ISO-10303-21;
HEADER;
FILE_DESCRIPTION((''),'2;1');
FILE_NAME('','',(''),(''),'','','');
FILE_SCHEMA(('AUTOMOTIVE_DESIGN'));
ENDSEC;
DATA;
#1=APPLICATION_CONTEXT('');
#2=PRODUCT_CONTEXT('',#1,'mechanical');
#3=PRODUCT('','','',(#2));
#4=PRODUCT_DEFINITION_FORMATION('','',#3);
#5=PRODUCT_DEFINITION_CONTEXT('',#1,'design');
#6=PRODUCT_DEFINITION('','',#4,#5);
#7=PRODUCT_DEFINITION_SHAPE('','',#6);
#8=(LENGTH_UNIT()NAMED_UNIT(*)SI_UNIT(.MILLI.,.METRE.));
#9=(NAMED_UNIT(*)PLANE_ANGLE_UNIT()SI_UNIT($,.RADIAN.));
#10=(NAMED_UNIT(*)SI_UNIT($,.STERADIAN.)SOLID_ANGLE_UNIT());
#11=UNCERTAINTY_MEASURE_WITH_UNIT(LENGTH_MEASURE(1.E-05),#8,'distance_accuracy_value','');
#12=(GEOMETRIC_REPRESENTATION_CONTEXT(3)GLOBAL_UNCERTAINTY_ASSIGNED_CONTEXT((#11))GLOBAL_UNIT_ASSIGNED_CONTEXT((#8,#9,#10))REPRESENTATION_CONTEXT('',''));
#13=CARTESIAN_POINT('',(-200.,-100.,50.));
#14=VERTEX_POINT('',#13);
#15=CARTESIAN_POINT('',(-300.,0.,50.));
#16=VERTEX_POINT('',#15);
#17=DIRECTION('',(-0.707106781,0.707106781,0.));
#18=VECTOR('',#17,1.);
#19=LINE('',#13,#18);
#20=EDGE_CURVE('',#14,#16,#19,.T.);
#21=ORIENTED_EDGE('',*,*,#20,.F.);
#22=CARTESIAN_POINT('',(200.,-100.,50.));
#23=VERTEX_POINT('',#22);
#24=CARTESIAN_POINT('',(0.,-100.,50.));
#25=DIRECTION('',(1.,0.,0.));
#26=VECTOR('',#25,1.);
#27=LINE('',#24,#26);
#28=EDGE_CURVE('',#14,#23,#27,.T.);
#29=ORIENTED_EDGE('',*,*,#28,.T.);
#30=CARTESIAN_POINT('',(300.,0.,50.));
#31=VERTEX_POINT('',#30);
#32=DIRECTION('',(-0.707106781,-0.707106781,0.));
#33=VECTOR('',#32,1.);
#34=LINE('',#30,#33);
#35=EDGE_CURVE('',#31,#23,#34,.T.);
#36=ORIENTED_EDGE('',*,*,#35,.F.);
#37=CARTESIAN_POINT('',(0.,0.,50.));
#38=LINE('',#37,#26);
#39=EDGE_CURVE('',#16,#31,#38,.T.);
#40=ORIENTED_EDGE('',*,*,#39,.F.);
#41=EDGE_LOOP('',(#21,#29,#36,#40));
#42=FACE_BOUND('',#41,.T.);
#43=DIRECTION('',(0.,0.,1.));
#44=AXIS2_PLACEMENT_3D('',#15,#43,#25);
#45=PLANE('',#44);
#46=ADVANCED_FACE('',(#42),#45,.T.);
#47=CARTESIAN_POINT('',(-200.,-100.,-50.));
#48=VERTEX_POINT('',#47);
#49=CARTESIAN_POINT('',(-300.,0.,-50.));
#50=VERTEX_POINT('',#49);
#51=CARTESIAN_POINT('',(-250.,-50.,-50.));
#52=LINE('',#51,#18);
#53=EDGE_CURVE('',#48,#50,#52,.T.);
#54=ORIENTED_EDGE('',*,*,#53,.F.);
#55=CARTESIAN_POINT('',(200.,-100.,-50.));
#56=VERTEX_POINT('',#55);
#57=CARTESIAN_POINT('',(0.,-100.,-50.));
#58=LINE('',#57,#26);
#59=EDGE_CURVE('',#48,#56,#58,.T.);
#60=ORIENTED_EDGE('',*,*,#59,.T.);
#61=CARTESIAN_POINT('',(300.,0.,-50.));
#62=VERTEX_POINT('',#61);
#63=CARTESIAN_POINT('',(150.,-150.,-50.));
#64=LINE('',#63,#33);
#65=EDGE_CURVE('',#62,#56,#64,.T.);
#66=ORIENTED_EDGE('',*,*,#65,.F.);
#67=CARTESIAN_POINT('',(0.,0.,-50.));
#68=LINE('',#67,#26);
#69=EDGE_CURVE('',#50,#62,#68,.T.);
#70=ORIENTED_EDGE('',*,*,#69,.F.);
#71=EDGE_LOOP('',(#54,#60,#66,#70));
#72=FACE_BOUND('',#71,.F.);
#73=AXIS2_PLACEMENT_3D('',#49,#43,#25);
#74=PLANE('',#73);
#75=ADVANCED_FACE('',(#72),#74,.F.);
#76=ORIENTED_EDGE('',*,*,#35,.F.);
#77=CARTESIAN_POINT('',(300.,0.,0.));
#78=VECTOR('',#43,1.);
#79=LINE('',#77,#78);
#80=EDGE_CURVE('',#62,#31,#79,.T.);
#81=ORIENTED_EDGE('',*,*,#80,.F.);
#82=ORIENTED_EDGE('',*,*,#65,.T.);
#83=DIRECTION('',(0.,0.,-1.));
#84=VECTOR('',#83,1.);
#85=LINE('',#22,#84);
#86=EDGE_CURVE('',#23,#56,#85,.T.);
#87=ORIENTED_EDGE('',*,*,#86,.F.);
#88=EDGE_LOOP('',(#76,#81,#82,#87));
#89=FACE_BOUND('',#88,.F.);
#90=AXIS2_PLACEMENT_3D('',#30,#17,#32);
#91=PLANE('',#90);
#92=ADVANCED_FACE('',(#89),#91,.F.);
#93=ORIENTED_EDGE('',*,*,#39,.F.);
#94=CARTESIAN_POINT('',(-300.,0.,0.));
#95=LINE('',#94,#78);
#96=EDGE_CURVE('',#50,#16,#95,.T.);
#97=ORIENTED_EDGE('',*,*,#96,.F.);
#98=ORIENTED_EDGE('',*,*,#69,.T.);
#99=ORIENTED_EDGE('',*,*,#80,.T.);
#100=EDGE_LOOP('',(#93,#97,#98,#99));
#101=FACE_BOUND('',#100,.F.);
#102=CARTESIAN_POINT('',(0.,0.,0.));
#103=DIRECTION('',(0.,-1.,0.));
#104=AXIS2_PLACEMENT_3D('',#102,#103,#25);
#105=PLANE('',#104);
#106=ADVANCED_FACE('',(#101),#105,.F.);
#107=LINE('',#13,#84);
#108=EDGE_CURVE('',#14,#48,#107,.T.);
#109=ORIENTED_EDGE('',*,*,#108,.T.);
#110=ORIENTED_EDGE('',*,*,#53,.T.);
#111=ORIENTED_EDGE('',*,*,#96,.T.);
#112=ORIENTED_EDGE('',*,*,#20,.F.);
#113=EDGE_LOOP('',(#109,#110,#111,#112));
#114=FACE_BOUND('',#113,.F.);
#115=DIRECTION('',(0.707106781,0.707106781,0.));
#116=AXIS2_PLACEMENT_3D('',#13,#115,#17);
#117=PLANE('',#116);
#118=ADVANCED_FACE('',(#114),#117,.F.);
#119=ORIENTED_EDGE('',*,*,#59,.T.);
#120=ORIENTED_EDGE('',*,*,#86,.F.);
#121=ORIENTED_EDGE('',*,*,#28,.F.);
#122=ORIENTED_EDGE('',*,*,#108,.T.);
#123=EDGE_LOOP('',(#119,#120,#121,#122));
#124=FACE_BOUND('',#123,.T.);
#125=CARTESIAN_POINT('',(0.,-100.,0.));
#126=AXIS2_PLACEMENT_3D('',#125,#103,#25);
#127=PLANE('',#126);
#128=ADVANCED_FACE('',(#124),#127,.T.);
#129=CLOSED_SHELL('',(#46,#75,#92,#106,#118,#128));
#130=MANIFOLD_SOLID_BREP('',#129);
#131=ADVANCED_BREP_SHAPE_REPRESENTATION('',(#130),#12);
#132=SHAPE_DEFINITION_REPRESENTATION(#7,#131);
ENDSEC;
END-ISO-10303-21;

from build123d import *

# Parameters (mm, degrees)
F0_W     = 600
F0_H     = 100
F1_DEPTH = 100
F3_DEPTH = 100.001
F4_DEPTH = 100.001


with BuildPart() as f1:
    # F0 (on Front) → F1 (new body)
    with BuildSketch(Plane.XZ):
        Rectangle(F0_W, F0_H)
    extrude(amount=F1_DEPTH)

    # F2 (on face) → F3 (cut, through all)
    with BuildSketch(Plane.XY.offset(50)):
        Polygon((-200, -100), (-300, 0), (-300, -100), align=None)
    extrude(amount=-F3_DEPTH, mode=Mode.SUBTRACT)

    # F2 (on face) → F4 (cut, through all)
    with BuildSketch(Plane.XY.offset(50)):
        Polygon((300, -100), (300, 0), (200, -100), align=None)
    extrude(amount=-F4_DEPTH, mode=Mode.SUBTRACT)


solid = f1.part
